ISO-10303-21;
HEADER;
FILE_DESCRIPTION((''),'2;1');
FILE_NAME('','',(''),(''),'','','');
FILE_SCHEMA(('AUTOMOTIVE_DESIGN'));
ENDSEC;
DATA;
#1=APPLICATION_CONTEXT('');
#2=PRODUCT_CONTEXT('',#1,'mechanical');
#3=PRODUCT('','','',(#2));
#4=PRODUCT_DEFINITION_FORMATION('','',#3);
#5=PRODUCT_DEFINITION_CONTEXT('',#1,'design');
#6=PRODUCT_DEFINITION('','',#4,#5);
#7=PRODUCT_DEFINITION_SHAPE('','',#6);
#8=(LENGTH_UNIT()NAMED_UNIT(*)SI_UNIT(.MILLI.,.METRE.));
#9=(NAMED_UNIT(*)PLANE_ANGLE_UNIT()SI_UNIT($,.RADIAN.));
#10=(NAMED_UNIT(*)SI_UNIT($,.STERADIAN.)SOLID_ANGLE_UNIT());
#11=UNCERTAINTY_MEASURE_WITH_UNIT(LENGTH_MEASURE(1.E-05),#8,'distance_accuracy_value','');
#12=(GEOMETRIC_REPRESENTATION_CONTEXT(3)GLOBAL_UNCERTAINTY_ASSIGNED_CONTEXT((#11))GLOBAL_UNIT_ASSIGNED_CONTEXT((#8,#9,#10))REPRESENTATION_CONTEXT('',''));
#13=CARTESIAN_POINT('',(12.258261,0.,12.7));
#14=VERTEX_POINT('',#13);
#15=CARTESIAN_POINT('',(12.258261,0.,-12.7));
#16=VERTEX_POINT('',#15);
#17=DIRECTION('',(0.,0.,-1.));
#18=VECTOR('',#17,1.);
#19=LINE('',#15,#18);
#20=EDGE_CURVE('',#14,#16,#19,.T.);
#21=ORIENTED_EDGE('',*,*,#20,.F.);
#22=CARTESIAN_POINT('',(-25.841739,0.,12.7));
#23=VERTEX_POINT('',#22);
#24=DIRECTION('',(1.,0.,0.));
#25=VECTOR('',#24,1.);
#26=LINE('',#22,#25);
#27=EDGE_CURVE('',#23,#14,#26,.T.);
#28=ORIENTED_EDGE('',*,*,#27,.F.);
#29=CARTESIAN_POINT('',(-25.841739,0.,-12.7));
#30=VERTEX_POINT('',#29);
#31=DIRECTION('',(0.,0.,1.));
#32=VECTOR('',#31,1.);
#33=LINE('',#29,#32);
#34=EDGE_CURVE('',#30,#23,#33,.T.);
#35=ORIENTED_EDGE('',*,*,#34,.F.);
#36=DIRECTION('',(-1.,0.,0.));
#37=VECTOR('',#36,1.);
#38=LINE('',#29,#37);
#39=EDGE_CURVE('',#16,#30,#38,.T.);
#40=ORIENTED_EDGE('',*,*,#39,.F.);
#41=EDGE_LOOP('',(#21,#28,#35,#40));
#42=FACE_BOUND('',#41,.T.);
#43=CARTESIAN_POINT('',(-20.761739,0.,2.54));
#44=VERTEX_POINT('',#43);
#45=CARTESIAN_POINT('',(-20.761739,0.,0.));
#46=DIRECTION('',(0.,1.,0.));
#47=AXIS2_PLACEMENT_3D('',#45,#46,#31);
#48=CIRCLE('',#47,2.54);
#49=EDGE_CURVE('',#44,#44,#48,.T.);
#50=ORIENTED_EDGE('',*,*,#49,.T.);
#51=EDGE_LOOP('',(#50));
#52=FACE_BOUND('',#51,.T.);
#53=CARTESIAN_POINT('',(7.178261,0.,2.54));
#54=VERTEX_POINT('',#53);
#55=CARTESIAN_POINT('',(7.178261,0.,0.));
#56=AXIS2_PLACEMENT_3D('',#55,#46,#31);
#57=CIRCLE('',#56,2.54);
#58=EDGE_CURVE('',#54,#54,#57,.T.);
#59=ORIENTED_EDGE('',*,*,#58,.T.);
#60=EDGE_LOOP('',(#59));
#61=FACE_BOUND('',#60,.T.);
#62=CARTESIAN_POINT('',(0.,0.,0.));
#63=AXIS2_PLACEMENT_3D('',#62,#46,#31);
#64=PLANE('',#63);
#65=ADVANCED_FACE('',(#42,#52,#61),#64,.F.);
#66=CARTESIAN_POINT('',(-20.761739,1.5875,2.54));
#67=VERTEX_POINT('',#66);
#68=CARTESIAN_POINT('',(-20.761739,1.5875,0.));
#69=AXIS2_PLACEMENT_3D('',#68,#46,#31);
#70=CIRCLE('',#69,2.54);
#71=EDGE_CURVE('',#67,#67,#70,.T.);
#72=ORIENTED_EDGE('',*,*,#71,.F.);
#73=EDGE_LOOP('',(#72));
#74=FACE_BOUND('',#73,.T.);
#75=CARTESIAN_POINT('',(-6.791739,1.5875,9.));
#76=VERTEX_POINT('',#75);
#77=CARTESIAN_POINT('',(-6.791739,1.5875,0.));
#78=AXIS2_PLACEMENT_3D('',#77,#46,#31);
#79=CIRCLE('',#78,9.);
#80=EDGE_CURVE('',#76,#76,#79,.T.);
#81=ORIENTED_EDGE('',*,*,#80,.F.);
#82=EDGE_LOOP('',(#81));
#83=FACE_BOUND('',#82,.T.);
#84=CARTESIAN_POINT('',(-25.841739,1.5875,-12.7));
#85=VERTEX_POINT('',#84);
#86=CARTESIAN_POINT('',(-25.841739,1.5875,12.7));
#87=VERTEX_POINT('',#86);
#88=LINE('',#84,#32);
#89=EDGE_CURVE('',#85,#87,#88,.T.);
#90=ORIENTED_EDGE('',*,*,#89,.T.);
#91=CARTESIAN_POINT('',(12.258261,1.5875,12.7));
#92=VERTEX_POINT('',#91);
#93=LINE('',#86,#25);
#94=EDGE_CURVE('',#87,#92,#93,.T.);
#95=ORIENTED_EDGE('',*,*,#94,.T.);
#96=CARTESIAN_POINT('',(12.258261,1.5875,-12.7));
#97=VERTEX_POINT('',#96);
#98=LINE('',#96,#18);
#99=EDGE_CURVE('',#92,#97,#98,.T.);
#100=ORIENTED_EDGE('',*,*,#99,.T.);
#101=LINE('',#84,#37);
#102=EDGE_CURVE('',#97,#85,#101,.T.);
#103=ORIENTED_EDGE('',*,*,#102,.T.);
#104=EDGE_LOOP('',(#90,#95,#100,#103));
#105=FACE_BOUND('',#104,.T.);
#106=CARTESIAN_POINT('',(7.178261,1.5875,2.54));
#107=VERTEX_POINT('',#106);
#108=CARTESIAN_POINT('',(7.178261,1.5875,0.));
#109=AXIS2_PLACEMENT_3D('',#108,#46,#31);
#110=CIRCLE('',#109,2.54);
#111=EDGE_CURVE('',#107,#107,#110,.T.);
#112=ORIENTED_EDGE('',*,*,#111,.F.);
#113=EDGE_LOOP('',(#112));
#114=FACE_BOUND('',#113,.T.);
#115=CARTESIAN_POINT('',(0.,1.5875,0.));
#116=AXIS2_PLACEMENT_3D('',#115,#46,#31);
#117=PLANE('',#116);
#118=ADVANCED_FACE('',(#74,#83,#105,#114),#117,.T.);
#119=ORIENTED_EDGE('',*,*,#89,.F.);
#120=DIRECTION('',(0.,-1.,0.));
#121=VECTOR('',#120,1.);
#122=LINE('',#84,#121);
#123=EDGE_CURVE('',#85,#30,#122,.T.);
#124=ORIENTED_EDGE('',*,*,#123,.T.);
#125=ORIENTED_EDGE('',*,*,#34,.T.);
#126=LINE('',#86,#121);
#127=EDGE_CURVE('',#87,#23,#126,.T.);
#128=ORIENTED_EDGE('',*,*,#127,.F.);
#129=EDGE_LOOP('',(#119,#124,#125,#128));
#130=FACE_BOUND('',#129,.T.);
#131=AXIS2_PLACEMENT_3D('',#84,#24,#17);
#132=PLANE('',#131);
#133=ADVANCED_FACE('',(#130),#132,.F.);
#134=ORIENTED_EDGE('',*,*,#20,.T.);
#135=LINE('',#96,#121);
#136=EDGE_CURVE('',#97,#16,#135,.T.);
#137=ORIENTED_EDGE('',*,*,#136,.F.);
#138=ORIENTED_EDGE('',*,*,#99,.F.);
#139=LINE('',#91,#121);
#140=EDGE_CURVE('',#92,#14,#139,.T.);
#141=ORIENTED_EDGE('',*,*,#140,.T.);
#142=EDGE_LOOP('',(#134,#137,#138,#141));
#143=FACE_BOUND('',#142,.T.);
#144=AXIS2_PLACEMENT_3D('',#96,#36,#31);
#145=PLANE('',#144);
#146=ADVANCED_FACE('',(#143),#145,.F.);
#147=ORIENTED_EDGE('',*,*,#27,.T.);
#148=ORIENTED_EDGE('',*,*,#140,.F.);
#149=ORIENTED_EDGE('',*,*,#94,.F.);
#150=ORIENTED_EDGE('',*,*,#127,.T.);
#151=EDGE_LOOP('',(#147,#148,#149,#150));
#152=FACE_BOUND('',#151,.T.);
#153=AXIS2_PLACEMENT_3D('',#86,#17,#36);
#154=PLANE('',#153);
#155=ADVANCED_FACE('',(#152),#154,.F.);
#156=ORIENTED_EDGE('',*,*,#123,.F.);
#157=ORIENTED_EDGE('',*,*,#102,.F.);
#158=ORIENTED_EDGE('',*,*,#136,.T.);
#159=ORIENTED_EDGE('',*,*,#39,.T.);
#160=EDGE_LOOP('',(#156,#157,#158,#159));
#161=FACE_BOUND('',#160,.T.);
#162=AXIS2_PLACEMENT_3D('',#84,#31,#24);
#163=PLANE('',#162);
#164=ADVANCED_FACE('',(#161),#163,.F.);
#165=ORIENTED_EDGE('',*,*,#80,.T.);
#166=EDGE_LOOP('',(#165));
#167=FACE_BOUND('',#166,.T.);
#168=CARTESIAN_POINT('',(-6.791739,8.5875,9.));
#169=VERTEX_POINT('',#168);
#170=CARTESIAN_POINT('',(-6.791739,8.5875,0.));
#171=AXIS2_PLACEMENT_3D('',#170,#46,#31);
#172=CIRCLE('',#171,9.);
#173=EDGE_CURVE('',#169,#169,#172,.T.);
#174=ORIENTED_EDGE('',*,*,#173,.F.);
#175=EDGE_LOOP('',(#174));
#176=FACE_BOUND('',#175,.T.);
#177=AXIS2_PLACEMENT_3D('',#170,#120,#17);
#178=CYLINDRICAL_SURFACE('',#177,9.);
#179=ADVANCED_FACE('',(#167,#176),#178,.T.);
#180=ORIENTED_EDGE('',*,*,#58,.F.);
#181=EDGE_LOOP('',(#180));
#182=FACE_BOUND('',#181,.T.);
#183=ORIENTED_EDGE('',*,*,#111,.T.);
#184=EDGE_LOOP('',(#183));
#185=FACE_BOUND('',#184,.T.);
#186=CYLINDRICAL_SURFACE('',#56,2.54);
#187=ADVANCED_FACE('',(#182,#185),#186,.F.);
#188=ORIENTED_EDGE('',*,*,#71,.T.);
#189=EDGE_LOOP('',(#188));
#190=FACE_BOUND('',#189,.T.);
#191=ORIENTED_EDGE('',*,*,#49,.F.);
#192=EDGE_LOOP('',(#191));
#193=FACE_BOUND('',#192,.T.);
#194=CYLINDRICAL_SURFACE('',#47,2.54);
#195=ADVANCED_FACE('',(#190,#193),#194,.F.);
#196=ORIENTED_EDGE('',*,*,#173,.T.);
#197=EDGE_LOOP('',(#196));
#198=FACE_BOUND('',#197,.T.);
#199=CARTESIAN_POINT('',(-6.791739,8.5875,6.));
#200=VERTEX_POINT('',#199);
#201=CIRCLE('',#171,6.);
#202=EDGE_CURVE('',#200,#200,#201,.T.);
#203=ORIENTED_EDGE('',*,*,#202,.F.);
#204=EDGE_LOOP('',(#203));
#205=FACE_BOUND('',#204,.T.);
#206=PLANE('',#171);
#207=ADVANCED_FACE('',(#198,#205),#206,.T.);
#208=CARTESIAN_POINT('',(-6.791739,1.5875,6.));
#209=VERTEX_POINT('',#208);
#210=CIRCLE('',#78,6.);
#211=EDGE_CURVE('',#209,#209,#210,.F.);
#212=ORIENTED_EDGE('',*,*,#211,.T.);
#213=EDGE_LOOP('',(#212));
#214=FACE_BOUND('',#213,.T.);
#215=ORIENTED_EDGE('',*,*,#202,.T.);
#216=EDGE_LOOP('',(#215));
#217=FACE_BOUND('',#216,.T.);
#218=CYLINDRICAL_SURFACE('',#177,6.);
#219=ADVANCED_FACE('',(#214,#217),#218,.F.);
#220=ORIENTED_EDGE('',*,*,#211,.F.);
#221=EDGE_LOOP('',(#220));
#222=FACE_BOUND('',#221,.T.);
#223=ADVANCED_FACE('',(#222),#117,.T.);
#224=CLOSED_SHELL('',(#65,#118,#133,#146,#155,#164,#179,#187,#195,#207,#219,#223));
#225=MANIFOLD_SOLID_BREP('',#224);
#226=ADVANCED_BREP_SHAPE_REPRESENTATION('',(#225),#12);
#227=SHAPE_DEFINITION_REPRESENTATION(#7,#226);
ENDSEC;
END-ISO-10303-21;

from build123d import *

# Parameters (mm, degrees)
SKETCH1_W           = 38.1
SKETCH1_H           = 25.4
BOSS_EXTRUDE1_DEPTH = 1.5875
SKETCH3_R           = 9
SKETCH3_R_2         = 6
BOSS_EXTRUDE2_DEPTH = 7
SKETCH4_R           = 2.54
CUT_EXTRUDE1_DEPTH  = 30.632507172


with BuildPart() as part:
    # Sketch1 → Boss-Extrude1 (new body)
    with BuildSketch(Plane(origin=(0, 0, 0), x_dir=(1, 0, 0), z_dir=(0, 1, 0))):
        with Locations((-6.79173913, 0)):
            Rectangle(SKETCH1_W, SKETCH1_H)
    extrude(amount=BOSS_EXTRUDE1_DEPTH)

    # Sketch3 → Boss-Extrude2 (add)
    with BuildSketch(Plane(origin=(0, 1.5875, 0), x_dir=(1, 0, 0), z_dir=(0, 1, 0))):
        with Locations((-6.79173913, 0)):
            Circle(SKETCH3_R)
        with Locations((-6.79173913, 0)):
            Circle(SKETCH3_R_2, mode=Mode.SUBTRACT)
    extrude(amount=BOSS_EXTRUDE2_DEPTH)

    # Sketch4 → Cut-Extrude1 (cut, through all)
    with BuildSketch(Plane(origin=(0, 1.5875, 0), x_dir=(1, 0, 0), z_dir=(0, 1, 0))):
        with Locations((7.17826087, 0)):
            Circle(SKETCH4_R)
        with Locations((-20.76173913, 0)):
            Circle(SKETCH4_R)
    extrude(amount=-CUT_EXTRUDE1_DEPTH, mode=Mode.SUBTRACT)


solid = part.part
